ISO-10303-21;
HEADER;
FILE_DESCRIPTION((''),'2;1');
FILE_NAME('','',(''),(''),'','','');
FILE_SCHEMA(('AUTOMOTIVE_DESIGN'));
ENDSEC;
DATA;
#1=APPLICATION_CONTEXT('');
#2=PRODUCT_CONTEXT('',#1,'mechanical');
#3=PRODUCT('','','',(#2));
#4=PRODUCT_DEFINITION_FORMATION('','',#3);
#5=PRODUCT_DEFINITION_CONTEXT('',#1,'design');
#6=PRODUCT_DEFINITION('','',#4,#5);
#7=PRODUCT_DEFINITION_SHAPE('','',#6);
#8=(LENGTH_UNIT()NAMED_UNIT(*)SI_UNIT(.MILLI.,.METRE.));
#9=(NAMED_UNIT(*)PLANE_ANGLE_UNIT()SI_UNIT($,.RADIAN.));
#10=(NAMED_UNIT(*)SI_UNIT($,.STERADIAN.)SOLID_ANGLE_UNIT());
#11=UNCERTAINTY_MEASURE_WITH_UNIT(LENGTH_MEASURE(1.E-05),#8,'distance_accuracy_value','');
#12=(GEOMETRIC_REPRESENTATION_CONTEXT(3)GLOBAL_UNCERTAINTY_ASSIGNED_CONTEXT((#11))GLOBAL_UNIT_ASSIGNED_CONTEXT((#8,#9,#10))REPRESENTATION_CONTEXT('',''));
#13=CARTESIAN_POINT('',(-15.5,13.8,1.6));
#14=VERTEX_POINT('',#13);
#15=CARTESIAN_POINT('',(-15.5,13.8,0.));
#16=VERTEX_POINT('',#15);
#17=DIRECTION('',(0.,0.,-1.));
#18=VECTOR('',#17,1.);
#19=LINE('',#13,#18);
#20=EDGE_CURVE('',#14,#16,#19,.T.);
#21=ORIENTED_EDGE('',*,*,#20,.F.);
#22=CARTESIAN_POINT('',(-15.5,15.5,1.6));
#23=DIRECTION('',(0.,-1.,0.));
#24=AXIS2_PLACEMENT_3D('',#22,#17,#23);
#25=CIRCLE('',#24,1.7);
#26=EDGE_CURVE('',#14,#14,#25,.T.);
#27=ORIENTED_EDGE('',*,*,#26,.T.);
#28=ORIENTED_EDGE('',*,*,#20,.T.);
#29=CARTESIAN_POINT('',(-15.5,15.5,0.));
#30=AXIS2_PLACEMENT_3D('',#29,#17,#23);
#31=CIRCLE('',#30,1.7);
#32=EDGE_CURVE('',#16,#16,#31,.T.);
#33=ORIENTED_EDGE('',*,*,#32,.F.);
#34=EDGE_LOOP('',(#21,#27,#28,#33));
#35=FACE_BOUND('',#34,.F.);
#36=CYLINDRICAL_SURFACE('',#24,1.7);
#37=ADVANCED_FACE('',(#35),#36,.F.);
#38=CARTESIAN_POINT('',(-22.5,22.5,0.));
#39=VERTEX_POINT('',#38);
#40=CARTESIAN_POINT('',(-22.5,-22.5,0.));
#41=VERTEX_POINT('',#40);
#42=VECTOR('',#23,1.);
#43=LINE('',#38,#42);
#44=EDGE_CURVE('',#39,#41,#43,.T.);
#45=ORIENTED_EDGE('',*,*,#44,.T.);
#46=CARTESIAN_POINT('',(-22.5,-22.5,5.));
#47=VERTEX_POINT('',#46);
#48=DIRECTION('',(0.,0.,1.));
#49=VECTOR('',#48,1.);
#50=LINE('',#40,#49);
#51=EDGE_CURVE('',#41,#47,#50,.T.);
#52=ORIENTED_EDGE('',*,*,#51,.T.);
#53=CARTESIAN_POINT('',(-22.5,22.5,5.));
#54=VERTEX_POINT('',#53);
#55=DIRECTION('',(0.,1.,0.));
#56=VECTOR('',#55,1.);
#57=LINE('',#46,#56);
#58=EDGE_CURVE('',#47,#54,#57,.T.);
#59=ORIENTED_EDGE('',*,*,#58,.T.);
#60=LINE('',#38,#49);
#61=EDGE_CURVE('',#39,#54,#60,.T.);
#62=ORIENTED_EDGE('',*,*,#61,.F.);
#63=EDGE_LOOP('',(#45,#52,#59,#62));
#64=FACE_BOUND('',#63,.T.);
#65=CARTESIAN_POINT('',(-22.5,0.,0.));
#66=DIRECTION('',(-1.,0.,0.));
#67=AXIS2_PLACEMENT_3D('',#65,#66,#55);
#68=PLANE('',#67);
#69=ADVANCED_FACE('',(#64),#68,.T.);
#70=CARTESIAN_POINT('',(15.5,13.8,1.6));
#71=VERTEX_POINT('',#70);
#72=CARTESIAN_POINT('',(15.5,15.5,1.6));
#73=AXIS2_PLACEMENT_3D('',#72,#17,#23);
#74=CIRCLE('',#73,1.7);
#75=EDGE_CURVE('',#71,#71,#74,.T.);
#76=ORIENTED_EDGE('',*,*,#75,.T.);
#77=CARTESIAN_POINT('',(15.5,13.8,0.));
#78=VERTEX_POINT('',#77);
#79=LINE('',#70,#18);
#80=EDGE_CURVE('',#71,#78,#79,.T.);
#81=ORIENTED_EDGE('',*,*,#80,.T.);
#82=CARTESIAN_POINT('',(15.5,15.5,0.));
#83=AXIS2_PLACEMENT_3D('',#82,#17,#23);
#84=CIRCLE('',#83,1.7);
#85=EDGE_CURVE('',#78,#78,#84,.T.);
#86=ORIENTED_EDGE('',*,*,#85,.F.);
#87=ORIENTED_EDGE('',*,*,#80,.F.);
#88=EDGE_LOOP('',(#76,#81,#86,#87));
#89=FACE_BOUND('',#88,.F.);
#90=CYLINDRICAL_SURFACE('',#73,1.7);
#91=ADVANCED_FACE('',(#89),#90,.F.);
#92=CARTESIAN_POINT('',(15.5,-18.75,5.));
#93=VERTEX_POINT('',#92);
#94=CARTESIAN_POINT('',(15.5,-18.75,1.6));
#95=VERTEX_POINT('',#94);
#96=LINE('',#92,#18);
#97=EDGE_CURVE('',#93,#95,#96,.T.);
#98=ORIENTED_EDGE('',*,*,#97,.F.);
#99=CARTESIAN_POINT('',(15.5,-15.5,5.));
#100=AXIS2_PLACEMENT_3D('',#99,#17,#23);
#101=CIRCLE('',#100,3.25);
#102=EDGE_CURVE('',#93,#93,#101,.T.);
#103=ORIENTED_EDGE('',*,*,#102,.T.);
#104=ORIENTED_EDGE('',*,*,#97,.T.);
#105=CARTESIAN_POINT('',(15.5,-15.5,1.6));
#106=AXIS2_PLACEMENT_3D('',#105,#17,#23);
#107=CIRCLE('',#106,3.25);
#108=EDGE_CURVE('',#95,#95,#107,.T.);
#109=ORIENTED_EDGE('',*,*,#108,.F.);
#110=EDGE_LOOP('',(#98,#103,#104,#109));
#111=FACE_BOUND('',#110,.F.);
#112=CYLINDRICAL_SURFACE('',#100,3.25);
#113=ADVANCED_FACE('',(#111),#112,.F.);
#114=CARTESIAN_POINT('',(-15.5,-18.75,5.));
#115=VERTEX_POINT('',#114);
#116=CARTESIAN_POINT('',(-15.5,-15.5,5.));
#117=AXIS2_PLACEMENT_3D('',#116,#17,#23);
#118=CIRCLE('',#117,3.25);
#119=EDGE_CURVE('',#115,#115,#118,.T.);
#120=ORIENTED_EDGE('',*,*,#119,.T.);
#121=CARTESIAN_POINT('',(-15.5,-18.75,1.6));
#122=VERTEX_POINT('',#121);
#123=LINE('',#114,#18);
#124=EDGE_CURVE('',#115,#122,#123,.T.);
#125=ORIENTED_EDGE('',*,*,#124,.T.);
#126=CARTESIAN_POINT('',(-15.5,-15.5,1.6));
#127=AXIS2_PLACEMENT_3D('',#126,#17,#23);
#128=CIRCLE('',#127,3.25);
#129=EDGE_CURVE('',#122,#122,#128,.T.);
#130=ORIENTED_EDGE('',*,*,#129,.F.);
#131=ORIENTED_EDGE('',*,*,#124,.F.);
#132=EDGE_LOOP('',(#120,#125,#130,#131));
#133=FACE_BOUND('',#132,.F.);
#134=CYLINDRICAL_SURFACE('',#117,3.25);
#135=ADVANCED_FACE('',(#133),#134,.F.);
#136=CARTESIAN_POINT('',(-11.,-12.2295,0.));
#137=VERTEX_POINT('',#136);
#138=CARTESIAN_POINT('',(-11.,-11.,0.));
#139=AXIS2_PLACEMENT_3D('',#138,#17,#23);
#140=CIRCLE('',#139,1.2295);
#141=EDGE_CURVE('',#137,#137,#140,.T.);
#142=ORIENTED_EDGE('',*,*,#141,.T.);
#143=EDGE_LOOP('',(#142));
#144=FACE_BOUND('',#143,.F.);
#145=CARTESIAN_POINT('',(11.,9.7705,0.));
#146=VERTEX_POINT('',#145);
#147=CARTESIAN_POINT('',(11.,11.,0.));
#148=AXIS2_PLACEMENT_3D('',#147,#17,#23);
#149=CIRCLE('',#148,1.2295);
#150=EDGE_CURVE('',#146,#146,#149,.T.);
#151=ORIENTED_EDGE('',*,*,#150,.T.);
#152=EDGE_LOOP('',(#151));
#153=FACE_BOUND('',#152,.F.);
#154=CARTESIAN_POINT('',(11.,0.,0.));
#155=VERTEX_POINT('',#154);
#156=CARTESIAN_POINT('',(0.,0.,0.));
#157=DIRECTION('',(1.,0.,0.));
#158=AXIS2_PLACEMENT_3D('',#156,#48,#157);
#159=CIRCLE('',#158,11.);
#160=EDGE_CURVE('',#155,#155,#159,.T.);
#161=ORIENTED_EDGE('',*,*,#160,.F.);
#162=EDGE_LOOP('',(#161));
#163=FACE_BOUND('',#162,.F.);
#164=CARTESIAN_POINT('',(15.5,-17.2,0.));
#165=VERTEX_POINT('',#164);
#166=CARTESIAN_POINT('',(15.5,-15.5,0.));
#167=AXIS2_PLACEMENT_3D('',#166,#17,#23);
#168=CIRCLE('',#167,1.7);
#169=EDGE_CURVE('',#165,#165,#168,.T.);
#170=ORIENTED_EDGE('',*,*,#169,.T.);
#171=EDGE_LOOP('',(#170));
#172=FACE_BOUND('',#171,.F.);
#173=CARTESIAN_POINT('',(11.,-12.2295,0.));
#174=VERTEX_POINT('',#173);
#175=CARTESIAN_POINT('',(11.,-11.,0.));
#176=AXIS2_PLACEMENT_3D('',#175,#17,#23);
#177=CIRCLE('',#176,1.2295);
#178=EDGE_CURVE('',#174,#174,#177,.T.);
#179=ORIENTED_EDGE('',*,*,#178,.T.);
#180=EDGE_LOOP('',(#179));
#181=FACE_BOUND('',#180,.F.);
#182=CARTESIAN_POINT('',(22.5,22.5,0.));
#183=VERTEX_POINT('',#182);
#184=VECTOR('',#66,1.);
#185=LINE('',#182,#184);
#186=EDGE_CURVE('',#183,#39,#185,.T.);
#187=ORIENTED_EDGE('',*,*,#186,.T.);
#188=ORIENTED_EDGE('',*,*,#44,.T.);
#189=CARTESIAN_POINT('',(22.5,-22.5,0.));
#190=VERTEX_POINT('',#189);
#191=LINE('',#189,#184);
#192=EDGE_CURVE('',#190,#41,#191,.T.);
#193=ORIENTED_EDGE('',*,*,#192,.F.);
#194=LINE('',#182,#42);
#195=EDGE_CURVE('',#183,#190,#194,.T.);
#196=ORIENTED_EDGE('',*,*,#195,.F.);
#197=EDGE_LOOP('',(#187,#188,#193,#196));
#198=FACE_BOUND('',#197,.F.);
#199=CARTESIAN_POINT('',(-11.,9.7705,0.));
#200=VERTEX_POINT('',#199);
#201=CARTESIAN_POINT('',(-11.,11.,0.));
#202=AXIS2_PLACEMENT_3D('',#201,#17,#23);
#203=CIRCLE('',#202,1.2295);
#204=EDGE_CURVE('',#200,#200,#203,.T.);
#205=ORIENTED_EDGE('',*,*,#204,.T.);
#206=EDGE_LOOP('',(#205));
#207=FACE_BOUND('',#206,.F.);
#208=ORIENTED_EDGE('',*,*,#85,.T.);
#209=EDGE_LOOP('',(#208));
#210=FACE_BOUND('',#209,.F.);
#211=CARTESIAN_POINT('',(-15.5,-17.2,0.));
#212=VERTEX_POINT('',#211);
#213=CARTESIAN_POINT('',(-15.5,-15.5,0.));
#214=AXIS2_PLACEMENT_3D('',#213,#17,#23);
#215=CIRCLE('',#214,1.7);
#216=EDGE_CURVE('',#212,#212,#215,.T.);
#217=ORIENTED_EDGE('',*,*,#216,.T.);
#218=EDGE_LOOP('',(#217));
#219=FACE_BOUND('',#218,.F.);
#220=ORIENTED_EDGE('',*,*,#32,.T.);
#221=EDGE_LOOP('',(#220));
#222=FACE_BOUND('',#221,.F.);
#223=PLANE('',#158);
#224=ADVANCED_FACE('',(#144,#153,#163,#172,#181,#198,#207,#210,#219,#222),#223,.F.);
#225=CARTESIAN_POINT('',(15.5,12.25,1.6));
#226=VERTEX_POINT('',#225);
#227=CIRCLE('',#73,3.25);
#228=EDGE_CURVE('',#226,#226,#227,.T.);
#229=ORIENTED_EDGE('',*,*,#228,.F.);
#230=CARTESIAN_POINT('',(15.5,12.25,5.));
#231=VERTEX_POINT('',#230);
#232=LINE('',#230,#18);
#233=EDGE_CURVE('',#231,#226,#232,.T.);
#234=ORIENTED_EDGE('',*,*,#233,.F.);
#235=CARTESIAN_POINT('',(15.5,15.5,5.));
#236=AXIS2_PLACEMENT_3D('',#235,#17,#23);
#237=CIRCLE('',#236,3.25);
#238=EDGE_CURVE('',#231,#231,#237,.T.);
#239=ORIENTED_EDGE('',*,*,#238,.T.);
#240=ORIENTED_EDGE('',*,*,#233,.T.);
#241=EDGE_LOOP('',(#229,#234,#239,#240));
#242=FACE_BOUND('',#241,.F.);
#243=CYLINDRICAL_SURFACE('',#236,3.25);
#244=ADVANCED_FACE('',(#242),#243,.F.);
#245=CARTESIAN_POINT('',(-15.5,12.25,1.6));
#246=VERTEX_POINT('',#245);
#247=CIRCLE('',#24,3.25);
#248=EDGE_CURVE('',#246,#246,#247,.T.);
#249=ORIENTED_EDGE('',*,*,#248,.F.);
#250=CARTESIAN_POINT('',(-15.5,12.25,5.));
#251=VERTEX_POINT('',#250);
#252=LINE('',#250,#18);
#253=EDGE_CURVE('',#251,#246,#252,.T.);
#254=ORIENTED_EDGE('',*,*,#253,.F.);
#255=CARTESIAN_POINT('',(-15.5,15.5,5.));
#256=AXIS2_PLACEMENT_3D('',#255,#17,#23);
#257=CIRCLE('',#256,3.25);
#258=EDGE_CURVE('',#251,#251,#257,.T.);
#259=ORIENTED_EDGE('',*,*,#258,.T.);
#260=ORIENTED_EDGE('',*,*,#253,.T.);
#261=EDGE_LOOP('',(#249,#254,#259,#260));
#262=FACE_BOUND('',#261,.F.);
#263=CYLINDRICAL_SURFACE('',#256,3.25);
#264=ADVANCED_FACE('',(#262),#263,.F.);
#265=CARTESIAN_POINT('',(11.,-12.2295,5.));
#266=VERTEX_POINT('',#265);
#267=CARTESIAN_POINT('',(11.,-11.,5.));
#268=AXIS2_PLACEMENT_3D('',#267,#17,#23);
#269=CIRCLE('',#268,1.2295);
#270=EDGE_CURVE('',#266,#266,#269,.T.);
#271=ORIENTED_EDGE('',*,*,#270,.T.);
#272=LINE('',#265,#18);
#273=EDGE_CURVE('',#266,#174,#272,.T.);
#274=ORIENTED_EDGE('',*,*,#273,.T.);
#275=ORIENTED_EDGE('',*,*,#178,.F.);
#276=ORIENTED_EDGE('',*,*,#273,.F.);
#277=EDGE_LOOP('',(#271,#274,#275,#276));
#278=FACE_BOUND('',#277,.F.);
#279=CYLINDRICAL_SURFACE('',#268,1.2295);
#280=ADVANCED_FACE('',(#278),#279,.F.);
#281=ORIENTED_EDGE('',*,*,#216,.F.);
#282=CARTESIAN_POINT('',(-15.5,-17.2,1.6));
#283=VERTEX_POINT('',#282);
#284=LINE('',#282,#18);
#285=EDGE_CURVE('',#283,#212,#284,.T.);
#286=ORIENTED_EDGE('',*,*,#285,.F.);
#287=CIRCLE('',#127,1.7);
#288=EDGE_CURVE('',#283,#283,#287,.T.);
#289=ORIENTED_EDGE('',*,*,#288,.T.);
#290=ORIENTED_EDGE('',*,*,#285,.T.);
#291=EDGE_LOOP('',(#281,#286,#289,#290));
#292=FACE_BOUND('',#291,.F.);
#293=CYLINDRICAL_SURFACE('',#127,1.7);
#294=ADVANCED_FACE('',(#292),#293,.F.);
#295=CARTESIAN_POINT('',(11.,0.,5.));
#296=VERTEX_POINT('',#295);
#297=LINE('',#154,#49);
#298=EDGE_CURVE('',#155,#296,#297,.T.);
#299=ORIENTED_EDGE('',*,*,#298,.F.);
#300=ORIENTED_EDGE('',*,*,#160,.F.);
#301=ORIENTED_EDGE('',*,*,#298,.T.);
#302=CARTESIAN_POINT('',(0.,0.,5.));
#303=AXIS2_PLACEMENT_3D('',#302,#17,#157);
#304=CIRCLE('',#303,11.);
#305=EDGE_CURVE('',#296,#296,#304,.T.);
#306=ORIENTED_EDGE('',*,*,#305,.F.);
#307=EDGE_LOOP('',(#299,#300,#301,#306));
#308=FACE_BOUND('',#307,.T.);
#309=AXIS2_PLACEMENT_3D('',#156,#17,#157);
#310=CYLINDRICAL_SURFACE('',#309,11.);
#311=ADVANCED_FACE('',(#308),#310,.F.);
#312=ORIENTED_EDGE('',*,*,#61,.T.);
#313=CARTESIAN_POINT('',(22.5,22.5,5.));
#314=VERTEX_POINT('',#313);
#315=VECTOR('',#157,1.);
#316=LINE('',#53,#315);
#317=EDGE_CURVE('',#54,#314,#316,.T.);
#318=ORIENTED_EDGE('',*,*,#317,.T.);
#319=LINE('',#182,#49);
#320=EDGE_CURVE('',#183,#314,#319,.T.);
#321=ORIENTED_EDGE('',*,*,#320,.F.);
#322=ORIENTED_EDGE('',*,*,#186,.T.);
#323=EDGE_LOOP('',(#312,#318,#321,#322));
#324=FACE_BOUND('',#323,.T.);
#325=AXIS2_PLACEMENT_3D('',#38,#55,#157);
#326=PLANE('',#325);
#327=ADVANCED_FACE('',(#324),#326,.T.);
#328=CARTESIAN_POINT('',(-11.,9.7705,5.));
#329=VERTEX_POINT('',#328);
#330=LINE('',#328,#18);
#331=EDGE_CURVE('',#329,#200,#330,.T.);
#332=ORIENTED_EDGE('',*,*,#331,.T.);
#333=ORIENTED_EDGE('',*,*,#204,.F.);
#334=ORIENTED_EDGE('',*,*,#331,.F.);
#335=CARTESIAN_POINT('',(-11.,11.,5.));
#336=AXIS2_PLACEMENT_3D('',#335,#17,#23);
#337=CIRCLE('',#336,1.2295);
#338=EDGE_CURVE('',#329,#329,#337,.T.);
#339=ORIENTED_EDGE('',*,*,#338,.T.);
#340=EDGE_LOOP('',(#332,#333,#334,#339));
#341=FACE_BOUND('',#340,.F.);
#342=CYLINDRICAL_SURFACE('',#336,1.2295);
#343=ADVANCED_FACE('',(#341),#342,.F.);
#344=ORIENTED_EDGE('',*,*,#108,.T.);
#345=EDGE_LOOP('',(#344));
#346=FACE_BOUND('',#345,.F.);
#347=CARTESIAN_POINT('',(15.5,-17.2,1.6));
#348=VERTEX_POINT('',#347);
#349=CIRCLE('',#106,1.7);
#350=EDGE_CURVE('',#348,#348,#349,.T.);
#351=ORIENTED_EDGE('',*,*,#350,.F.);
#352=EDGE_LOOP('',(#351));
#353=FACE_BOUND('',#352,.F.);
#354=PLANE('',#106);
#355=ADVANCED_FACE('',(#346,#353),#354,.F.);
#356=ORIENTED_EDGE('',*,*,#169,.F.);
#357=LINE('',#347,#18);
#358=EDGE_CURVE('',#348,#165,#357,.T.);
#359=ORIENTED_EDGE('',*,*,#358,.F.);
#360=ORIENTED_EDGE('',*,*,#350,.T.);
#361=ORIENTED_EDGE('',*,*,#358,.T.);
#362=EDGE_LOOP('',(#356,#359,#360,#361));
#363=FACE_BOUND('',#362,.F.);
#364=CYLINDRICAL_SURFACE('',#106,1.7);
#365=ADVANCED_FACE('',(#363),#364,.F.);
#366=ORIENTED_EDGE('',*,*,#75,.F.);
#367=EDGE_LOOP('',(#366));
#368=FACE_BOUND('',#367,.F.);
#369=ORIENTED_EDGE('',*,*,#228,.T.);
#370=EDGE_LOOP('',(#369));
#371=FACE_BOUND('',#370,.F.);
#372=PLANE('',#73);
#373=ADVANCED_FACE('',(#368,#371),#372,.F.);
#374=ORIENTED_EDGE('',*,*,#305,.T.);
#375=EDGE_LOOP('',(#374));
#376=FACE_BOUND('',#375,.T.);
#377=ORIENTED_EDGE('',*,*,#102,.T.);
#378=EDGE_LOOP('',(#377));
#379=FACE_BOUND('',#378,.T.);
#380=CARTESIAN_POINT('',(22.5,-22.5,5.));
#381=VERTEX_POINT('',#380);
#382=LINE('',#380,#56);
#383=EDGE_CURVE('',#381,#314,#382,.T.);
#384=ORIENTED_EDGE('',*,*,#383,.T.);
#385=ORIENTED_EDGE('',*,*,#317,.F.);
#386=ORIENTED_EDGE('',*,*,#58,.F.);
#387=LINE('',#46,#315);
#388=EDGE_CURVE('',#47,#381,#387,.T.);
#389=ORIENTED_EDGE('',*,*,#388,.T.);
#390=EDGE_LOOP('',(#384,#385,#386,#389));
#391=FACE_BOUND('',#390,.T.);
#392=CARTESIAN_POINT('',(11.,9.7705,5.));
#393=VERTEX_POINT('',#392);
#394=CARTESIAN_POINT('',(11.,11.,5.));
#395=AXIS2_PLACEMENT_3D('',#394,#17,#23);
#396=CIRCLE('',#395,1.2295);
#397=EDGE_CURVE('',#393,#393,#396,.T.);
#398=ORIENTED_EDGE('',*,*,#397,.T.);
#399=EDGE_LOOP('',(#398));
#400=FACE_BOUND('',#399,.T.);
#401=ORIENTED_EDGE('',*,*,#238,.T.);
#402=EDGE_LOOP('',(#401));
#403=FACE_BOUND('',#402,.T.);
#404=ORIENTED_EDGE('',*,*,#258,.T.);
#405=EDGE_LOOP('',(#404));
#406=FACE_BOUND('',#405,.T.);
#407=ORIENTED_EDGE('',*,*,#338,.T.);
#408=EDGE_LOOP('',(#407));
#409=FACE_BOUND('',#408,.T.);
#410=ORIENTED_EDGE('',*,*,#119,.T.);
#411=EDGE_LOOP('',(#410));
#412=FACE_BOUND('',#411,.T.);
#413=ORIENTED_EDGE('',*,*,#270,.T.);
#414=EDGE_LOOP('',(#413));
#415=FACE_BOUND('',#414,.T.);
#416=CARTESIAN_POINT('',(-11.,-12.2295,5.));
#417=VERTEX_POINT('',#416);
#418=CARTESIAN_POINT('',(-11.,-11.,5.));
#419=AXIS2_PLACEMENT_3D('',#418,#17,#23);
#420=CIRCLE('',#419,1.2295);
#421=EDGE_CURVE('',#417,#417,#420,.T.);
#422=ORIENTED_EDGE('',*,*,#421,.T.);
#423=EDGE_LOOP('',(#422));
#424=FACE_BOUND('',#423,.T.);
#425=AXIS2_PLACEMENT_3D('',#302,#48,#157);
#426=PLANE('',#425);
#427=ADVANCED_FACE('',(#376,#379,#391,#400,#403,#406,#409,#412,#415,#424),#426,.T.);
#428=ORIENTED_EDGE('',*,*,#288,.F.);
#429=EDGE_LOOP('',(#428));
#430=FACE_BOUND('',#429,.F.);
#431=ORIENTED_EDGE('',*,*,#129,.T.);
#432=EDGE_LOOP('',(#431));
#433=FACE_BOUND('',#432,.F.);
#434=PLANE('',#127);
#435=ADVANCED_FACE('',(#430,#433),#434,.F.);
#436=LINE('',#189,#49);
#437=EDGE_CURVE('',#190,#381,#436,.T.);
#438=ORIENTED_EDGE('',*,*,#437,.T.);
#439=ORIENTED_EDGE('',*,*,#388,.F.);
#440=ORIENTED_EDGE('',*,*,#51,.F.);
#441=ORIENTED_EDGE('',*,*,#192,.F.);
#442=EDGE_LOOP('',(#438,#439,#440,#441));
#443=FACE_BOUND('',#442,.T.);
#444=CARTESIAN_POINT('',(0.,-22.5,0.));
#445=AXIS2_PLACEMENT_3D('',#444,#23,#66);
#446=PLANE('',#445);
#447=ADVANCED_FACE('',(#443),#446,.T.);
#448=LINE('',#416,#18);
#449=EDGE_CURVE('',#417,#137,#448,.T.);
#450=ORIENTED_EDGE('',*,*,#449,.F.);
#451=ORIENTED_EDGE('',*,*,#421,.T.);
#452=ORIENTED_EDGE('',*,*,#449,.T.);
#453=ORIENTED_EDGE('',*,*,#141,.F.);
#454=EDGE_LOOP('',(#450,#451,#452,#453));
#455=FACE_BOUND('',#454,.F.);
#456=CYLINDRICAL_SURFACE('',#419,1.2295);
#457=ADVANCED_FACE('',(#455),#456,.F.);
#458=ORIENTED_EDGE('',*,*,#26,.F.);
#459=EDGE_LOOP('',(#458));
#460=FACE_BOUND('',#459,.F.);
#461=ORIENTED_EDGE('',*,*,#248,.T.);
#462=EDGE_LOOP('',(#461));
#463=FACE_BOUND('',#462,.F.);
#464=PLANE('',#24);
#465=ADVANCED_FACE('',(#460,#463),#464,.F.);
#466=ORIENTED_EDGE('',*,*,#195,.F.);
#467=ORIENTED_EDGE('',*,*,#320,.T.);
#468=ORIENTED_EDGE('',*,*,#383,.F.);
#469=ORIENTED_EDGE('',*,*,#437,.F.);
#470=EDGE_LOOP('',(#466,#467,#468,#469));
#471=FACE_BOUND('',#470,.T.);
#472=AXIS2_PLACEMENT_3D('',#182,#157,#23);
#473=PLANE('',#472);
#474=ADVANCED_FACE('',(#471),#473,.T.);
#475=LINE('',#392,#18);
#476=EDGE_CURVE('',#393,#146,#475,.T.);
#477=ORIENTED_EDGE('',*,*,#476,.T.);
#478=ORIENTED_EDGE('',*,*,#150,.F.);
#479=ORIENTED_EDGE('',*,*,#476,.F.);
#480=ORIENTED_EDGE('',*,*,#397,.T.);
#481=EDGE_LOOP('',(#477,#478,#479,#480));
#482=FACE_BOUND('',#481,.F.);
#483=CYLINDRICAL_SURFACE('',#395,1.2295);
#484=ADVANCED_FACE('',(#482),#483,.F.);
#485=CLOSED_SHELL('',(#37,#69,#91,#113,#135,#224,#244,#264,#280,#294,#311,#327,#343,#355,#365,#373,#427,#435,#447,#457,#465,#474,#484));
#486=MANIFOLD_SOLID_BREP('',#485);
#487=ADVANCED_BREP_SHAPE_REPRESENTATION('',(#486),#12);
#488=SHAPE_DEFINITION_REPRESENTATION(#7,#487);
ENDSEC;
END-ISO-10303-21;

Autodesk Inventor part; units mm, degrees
ref_plane "YZ Plane" through (0, 0, 0) normal (1, 0, 0) x (0, 1, 0)
ref_plane "XZ Plane" through (0, 0, 0) normal (0, 1, 0) x (-1, 0, 0)
ref_plane "XY Plane" through (0, 0, 0) normal (0, 0, 1) x (1, 0, 0)
sketch "Skizze1" plane through (0, 0, 0) normal (0, 0, 1) x (1, 0, 0)
  line L0 (-22.5, 22.5) -> (22.5, 22.5)
  line L1 (22.5, 22.5) -> (22.5, -22.5)
  line L2 (22.5, -22.5) -> (-22.5, -22.5)
  line L3 (-22.5, -22.5) -> (-22.5, 22.5)
  circle A0 centre (0, 0) radius 11
  line L4 (-31.5, 0) -> (31.5, 0) projected
  line L5 (0, -31.5) -> (0, 31.5) projected
  dimension "d0" = 22
  dimension "d1" = 45
extrude "Extrusion1" add sketch "Skizze1" along normal blind 5 contours L0 L5 A0 L4 L3 | L0 L1 L4 A0 L5 | L4 A0 L5 L2 L3 | L1 L2 L5 A0 L4
sketch "Skizze2" plane through (0, 0, 5) normal (0, 0, 1) x (1, 0, 0)
  line L0 (-11, 11) -> (11, 11)
  line L1 (11, 11) -> (11, -11)
  line L2 (11, -11) -> (-11, -11)
  line L3 (-11, -11) -> (-11, 11)
  line L4 (-31.5, 0) -> (31.5, 0) projected
  line L5 (0, -31.5) -> (0, 31.5) projected
  dimension "d4" = 22
hole "Bohrung1" at (-11, 11, 5) at (11, 11, 5) at (11, -11, 5) at (-11, -11, 5) direction (0, 0, -1) diameter 2.459 end through all thread size "M3x0.5" class "6H" standard "ISO Metric profile"
sketch "Skizze3" plane through (0, 0, 5) normal (0, 0, 1) x (1, 0, 0)
  line L0 (-31.5, 0) -> (31.5, 0) projected
  line L1 (0, -31.5) -> (0, 31.5) projected
  line L2 (-15.5, 15.5) -> (15.5, 15.5)
  line L3 (15.5, 15.5) -> (15.5, -15.5)
  line L4 (15.5, -15.5) -> (-15.5, -15.5)
  line L5 (-15.5, -15.5) -> (-15.5, 15.5)
  dimension "d12" = 31
hole "Bohrung2" at (15.5, -15.5, 5) at (-15.5, 15.5, 5) at (15.5, 15.5, 5) at (-15.5, -15.5, 5) direction (0, 0, -1) diameter 3.4 end through all counterbore diameter 6.5 counterbore depth 3.4
properties part number "13_0204_060"
